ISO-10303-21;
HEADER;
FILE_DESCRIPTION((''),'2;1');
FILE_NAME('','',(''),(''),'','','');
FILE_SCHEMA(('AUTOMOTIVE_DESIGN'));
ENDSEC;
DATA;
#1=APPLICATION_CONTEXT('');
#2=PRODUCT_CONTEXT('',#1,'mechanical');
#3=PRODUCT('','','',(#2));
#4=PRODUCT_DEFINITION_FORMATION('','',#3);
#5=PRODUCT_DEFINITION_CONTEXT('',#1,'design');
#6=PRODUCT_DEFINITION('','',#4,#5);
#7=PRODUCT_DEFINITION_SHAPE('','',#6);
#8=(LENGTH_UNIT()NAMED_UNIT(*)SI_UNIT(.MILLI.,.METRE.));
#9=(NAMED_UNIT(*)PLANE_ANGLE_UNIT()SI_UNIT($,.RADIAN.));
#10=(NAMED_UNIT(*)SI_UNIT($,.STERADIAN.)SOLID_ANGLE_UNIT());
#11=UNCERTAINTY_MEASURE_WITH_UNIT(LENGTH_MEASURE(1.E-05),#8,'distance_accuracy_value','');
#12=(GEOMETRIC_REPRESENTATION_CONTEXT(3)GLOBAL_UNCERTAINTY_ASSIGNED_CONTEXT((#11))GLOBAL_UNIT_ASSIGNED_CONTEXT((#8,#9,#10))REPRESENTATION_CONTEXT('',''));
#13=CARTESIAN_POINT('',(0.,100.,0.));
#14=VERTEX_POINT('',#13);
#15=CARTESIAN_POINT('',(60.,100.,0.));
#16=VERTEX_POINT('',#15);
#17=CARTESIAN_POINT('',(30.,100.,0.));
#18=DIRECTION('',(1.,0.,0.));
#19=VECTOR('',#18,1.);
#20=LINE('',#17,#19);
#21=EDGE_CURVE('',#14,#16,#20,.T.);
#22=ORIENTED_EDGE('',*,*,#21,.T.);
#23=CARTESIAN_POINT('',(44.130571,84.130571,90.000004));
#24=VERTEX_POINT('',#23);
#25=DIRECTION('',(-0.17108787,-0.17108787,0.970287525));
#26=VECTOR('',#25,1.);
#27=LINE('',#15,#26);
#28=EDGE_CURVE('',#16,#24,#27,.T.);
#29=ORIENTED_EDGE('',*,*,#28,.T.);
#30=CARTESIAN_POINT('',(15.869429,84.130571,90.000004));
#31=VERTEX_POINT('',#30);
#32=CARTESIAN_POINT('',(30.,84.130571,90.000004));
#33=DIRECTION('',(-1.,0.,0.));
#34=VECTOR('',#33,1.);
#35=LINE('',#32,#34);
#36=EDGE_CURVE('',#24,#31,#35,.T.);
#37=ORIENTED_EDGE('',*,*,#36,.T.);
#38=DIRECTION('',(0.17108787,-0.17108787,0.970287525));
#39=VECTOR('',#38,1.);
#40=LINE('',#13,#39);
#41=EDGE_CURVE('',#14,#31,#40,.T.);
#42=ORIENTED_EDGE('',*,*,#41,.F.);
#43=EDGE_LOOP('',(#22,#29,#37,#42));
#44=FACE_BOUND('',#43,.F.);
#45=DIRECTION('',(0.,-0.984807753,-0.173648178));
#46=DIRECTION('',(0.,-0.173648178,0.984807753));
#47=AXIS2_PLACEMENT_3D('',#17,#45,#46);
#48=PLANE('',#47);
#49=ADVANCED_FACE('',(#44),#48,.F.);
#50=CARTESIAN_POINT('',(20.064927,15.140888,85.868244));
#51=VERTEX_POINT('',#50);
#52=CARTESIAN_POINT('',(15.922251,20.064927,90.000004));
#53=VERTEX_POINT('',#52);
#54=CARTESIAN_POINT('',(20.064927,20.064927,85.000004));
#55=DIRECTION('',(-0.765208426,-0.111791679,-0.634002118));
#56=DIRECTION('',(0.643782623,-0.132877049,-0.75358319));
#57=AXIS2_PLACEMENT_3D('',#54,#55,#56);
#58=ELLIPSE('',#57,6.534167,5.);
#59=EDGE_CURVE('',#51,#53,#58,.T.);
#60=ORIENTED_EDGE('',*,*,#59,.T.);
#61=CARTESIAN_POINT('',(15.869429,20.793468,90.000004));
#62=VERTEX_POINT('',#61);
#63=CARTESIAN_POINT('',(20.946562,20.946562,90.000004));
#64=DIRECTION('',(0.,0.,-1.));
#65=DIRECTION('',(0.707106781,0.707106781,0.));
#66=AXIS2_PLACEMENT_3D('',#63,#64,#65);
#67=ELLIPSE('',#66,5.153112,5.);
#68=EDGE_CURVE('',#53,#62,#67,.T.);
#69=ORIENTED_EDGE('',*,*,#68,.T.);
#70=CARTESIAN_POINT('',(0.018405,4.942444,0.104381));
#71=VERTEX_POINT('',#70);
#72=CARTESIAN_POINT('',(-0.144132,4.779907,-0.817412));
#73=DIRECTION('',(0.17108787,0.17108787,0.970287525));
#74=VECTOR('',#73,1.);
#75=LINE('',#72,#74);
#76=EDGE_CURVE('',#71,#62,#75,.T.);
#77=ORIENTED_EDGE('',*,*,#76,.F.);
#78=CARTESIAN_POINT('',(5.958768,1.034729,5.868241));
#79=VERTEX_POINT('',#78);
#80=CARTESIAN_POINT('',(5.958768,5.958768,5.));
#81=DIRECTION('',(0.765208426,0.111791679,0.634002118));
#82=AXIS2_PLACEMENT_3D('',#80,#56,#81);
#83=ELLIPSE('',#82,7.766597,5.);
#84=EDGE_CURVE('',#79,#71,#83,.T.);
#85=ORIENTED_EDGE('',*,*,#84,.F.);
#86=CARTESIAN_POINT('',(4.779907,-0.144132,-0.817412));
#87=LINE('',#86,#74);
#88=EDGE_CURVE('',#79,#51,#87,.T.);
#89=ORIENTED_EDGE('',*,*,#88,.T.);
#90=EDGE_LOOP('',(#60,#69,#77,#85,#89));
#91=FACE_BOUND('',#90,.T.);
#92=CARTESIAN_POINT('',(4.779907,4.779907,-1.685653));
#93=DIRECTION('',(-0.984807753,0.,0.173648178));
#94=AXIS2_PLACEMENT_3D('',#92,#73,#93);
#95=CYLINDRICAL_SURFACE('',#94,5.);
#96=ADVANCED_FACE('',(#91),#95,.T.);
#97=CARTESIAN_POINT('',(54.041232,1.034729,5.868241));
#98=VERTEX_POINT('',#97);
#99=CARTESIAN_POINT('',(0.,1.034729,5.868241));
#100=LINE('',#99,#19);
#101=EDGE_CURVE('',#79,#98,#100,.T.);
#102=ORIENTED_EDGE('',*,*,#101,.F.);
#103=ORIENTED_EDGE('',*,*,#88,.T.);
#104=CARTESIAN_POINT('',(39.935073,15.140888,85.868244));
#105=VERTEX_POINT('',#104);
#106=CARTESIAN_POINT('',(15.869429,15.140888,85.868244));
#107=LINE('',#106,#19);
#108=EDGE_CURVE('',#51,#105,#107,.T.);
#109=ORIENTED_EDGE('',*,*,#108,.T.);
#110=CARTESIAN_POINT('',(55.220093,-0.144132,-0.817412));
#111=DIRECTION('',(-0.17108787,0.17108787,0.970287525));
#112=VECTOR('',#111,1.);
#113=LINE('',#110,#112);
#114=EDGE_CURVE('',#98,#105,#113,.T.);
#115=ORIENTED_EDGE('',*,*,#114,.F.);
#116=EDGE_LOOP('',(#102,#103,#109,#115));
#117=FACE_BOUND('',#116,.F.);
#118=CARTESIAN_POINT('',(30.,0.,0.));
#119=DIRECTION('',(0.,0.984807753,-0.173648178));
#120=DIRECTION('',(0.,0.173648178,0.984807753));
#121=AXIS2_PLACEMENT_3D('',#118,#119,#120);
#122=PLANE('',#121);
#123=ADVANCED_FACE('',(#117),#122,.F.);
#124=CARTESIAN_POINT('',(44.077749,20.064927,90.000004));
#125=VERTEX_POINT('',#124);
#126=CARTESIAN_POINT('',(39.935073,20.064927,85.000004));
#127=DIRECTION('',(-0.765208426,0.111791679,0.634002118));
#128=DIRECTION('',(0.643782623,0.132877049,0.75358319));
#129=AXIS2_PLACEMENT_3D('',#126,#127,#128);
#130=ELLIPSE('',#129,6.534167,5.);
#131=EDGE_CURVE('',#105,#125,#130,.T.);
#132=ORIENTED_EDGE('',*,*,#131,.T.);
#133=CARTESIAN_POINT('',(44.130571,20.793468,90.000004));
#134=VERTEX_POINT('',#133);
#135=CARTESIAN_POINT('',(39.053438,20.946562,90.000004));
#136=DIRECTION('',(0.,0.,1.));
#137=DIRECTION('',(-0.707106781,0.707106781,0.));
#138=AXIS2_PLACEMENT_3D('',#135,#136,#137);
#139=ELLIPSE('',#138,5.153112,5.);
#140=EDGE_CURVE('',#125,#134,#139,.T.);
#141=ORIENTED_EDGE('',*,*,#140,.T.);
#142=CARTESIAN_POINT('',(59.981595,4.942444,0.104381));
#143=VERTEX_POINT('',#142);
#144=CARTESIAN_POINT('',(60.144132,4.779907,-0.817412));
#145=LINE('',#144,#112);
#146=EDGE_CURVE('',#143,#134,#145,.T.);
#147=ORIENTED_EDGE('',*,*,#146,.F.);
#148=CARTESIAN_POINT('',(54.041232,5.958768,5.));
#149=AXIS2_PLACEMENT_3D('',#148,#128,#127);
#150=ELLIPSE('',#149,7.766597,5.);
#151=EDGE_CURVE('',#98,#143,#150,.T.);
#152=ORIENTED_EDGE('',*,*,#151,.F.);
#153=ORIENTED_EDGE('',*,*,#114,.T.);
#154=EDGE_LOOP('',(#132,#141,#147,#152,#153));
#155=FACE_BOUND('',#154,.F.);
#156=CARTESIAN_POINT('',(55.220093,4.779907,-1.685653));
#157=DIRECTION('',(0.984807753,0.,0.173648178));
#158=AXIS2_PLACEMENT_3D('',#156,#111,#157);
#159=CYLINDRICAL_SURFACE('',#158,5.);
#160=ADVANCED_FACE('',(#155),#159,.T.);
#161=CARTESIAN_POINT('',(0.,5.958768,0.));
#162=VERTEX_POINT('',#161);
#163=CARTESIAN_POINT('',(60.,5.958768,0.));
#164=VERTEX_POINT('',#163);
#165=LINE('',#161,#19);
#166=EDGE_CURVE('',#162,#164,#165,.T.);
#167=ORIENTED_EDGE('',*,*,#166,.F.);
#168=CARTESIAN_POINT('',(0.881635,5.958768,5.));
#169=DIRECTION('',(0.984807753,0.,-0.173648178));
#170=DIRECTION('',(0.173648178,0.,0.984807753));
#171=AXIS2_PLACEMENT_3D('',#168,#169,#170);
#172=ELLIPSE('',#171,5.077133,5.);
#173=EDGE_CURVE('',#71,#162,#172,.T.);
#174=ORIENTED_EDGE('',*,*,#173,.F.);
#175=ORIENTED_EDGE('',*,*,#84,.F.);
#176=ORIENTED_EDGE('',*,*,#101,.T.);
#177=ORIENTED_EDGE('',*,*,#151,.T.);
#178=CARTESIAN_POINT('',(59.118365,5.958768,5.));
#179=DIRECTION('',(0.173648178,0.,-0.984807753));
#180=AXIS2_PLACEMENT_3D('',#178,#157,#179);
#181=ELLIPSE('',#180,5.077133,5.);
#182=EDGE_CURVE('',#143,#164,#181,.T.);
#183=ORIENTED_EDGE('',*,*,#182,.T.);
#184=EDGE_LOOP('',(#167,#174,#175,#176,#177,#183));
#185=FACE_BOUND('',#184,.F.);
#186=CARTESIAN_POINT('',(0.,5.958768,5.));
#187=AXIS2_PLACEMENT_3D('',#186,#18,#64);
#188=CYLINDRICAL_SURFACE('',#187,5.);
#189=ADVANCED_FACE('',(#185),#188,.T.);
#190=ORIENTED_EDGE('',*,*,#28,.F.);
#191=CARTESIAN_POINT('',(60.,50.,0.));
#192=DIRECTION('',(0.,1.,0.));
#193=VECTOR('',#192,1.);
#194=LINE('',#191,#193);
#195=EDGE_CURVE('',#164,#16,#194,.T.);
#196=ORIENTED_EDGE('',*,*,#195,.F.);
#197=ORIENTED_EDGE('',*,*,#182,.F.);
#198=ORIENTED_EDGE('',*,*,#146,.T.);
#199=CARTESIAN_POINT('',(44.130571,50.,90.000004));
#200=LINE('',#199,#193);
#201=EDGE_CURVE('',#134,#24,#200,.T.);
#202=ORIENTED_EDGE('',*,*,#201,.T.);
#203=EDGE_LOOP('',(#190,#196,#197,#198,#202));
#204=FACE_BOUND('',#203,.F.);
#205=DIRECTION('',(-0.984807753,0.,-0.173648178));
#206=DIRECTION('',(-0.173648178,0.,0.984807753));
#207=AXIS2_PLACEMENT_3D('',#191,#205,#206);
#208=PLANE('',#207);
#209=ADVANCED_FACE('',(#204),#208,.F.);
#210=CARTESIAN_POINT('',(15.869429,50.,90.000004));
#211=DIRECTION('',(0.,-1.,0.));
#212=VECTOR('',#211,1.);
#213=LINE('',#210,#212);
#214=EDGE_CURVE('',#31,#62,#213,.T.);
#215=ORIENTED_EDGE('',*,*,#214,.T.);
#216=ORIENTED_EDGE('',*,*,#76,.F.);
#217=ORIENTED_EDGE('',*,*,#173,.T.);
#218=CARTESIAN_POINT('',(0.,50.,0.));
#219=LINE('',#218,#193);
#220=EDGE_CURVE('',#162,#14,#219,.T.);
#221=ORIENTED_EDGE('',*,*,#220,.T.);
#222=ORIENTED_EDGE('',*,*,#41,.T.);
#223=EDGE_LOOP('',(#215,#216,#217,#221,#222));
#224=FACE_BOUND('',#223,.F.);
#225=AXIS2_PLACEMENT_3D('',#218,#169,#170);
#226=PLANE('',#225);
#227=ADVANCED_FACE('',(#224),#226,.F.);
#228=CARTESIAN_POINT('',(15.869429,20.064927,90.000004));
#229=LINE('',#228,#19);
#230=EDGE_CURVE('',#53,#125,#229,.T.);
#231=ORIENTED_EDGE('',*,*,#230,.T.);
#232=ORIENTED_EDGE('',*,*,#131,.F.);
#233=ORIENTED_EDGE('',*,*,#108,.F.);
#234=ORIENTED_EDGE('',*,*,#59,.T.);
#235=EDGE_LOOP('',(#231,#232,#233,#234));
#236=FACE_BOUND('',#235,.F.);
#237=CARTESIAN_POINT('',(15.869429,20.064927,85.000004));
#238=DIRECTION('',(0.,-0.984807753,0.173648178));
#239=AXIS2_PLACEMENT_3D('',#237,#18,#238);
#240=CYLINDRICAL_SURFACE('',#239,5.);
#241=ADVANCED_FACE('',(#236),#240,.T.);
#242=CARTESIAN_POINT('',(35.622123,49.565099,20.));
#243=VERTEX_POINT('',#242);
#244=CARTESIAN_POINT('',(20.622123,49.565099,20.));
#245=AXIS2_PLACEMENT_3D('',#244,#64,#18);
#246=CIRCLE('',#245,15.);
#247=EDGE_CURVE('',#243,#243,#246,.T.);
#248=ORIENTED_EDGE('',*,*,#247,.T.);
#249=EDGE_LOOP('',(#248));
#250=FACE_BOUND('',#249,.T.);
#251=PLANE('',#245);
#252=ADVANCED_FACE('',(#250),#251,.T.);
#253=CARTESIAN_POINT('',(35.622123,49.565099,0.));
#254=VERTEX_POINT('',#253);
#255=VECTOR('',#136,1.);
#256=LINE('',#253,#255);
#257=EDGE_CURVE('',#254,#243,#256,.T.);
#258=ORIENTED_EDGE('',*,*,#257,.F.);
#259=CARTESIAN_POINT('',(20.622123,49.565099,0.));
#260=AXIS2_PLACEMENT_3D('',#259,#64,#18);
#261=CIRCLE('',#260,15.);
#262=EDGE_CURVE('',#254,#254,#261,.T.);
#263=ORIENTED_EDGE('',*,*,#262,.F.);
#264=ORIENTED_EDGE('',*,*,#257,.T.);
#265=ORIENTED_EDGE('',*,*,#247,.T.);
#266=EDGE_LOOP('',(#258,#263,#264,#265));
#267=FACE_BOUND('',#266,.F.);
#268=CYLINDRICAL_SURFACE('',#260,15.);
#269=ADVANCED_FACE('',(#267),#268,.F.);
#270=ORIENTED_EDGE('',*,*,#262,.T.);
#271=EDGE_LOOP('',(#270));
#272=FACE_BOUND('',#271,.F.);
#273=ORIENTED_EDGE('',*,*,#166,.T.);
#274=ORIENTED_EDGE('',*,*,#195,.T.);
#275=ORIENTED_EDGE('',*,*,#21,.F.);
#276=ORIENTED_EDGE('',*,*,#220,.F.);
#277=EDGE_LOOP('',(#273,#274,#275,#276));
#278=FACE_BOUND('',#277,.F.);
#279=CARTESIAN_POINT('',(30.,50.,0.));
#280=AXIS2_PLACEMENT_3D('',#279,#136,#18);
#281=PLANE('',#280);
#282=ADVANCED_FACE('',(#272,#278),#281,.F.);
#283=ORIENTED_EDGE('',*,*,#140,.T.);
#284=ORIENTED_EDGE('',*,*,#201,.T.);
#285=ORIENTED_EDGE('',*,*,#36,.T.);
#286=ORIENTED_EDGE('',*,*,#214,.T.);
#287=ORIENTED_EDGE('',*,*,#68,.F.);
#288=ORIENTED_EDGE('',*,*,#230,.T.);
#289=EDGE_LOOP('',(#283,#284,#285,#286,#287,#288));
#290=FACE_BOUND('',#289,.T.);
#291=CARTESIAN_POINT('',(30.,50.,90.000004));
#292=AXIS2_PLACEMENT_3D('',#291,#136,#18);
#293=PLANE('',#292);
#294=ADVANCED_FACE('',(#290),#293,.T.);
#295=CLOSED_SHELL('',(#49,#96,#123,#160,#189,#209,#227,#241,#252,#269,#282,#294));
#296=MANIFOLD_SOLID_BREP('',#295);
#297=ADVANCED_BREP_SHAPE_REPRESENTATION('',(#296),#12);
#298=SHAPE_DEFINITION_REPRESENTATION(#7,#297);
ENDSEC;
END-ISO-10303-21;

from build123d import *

# Parameters (mm, degrees)
F3_W     = 60
F3_H     = 100
F0_DEPTH = 90.0000035763
F0_TAPER = 10
F1_R     = 5
F2_R     = 15
F4_DEPTH = 20


with BuildPart() as f0:
    # F3 (on Top) → F0 (new body)
    with BuildSketch(Plane.XY):
        with Locations((30, 50)):
            Rectangle(F3_W, F3_H)
    extrude(amount=F0_DEPTH, taper=F0_TAPER)

    # F1
    f1_edges = [f0.edges().sort_by_distance(p)[0] for p in [
        (52.065286, 7.934714, 45.000002),
        (7.934714, 7.934714, 45.000002),
        (30, 0, 0),
        (30, 15.869429, 90.000004),
    ]]
    fillet(f1_edges, radius=F1_R)

    # F2 (on face) → F4 (cut)
    with BuildSketch(Plane(origin=(0, 0, 0), x_dir=(1, 0, 0), z_dir=(0, 0, -1))):
        with Locations((20.6221230328, -49.5650991797)):
            Circle(F2_R)
    extrude(amount=-F4_DEPTH, mode=Mode.SUBTRACT)


solid = f0.part
